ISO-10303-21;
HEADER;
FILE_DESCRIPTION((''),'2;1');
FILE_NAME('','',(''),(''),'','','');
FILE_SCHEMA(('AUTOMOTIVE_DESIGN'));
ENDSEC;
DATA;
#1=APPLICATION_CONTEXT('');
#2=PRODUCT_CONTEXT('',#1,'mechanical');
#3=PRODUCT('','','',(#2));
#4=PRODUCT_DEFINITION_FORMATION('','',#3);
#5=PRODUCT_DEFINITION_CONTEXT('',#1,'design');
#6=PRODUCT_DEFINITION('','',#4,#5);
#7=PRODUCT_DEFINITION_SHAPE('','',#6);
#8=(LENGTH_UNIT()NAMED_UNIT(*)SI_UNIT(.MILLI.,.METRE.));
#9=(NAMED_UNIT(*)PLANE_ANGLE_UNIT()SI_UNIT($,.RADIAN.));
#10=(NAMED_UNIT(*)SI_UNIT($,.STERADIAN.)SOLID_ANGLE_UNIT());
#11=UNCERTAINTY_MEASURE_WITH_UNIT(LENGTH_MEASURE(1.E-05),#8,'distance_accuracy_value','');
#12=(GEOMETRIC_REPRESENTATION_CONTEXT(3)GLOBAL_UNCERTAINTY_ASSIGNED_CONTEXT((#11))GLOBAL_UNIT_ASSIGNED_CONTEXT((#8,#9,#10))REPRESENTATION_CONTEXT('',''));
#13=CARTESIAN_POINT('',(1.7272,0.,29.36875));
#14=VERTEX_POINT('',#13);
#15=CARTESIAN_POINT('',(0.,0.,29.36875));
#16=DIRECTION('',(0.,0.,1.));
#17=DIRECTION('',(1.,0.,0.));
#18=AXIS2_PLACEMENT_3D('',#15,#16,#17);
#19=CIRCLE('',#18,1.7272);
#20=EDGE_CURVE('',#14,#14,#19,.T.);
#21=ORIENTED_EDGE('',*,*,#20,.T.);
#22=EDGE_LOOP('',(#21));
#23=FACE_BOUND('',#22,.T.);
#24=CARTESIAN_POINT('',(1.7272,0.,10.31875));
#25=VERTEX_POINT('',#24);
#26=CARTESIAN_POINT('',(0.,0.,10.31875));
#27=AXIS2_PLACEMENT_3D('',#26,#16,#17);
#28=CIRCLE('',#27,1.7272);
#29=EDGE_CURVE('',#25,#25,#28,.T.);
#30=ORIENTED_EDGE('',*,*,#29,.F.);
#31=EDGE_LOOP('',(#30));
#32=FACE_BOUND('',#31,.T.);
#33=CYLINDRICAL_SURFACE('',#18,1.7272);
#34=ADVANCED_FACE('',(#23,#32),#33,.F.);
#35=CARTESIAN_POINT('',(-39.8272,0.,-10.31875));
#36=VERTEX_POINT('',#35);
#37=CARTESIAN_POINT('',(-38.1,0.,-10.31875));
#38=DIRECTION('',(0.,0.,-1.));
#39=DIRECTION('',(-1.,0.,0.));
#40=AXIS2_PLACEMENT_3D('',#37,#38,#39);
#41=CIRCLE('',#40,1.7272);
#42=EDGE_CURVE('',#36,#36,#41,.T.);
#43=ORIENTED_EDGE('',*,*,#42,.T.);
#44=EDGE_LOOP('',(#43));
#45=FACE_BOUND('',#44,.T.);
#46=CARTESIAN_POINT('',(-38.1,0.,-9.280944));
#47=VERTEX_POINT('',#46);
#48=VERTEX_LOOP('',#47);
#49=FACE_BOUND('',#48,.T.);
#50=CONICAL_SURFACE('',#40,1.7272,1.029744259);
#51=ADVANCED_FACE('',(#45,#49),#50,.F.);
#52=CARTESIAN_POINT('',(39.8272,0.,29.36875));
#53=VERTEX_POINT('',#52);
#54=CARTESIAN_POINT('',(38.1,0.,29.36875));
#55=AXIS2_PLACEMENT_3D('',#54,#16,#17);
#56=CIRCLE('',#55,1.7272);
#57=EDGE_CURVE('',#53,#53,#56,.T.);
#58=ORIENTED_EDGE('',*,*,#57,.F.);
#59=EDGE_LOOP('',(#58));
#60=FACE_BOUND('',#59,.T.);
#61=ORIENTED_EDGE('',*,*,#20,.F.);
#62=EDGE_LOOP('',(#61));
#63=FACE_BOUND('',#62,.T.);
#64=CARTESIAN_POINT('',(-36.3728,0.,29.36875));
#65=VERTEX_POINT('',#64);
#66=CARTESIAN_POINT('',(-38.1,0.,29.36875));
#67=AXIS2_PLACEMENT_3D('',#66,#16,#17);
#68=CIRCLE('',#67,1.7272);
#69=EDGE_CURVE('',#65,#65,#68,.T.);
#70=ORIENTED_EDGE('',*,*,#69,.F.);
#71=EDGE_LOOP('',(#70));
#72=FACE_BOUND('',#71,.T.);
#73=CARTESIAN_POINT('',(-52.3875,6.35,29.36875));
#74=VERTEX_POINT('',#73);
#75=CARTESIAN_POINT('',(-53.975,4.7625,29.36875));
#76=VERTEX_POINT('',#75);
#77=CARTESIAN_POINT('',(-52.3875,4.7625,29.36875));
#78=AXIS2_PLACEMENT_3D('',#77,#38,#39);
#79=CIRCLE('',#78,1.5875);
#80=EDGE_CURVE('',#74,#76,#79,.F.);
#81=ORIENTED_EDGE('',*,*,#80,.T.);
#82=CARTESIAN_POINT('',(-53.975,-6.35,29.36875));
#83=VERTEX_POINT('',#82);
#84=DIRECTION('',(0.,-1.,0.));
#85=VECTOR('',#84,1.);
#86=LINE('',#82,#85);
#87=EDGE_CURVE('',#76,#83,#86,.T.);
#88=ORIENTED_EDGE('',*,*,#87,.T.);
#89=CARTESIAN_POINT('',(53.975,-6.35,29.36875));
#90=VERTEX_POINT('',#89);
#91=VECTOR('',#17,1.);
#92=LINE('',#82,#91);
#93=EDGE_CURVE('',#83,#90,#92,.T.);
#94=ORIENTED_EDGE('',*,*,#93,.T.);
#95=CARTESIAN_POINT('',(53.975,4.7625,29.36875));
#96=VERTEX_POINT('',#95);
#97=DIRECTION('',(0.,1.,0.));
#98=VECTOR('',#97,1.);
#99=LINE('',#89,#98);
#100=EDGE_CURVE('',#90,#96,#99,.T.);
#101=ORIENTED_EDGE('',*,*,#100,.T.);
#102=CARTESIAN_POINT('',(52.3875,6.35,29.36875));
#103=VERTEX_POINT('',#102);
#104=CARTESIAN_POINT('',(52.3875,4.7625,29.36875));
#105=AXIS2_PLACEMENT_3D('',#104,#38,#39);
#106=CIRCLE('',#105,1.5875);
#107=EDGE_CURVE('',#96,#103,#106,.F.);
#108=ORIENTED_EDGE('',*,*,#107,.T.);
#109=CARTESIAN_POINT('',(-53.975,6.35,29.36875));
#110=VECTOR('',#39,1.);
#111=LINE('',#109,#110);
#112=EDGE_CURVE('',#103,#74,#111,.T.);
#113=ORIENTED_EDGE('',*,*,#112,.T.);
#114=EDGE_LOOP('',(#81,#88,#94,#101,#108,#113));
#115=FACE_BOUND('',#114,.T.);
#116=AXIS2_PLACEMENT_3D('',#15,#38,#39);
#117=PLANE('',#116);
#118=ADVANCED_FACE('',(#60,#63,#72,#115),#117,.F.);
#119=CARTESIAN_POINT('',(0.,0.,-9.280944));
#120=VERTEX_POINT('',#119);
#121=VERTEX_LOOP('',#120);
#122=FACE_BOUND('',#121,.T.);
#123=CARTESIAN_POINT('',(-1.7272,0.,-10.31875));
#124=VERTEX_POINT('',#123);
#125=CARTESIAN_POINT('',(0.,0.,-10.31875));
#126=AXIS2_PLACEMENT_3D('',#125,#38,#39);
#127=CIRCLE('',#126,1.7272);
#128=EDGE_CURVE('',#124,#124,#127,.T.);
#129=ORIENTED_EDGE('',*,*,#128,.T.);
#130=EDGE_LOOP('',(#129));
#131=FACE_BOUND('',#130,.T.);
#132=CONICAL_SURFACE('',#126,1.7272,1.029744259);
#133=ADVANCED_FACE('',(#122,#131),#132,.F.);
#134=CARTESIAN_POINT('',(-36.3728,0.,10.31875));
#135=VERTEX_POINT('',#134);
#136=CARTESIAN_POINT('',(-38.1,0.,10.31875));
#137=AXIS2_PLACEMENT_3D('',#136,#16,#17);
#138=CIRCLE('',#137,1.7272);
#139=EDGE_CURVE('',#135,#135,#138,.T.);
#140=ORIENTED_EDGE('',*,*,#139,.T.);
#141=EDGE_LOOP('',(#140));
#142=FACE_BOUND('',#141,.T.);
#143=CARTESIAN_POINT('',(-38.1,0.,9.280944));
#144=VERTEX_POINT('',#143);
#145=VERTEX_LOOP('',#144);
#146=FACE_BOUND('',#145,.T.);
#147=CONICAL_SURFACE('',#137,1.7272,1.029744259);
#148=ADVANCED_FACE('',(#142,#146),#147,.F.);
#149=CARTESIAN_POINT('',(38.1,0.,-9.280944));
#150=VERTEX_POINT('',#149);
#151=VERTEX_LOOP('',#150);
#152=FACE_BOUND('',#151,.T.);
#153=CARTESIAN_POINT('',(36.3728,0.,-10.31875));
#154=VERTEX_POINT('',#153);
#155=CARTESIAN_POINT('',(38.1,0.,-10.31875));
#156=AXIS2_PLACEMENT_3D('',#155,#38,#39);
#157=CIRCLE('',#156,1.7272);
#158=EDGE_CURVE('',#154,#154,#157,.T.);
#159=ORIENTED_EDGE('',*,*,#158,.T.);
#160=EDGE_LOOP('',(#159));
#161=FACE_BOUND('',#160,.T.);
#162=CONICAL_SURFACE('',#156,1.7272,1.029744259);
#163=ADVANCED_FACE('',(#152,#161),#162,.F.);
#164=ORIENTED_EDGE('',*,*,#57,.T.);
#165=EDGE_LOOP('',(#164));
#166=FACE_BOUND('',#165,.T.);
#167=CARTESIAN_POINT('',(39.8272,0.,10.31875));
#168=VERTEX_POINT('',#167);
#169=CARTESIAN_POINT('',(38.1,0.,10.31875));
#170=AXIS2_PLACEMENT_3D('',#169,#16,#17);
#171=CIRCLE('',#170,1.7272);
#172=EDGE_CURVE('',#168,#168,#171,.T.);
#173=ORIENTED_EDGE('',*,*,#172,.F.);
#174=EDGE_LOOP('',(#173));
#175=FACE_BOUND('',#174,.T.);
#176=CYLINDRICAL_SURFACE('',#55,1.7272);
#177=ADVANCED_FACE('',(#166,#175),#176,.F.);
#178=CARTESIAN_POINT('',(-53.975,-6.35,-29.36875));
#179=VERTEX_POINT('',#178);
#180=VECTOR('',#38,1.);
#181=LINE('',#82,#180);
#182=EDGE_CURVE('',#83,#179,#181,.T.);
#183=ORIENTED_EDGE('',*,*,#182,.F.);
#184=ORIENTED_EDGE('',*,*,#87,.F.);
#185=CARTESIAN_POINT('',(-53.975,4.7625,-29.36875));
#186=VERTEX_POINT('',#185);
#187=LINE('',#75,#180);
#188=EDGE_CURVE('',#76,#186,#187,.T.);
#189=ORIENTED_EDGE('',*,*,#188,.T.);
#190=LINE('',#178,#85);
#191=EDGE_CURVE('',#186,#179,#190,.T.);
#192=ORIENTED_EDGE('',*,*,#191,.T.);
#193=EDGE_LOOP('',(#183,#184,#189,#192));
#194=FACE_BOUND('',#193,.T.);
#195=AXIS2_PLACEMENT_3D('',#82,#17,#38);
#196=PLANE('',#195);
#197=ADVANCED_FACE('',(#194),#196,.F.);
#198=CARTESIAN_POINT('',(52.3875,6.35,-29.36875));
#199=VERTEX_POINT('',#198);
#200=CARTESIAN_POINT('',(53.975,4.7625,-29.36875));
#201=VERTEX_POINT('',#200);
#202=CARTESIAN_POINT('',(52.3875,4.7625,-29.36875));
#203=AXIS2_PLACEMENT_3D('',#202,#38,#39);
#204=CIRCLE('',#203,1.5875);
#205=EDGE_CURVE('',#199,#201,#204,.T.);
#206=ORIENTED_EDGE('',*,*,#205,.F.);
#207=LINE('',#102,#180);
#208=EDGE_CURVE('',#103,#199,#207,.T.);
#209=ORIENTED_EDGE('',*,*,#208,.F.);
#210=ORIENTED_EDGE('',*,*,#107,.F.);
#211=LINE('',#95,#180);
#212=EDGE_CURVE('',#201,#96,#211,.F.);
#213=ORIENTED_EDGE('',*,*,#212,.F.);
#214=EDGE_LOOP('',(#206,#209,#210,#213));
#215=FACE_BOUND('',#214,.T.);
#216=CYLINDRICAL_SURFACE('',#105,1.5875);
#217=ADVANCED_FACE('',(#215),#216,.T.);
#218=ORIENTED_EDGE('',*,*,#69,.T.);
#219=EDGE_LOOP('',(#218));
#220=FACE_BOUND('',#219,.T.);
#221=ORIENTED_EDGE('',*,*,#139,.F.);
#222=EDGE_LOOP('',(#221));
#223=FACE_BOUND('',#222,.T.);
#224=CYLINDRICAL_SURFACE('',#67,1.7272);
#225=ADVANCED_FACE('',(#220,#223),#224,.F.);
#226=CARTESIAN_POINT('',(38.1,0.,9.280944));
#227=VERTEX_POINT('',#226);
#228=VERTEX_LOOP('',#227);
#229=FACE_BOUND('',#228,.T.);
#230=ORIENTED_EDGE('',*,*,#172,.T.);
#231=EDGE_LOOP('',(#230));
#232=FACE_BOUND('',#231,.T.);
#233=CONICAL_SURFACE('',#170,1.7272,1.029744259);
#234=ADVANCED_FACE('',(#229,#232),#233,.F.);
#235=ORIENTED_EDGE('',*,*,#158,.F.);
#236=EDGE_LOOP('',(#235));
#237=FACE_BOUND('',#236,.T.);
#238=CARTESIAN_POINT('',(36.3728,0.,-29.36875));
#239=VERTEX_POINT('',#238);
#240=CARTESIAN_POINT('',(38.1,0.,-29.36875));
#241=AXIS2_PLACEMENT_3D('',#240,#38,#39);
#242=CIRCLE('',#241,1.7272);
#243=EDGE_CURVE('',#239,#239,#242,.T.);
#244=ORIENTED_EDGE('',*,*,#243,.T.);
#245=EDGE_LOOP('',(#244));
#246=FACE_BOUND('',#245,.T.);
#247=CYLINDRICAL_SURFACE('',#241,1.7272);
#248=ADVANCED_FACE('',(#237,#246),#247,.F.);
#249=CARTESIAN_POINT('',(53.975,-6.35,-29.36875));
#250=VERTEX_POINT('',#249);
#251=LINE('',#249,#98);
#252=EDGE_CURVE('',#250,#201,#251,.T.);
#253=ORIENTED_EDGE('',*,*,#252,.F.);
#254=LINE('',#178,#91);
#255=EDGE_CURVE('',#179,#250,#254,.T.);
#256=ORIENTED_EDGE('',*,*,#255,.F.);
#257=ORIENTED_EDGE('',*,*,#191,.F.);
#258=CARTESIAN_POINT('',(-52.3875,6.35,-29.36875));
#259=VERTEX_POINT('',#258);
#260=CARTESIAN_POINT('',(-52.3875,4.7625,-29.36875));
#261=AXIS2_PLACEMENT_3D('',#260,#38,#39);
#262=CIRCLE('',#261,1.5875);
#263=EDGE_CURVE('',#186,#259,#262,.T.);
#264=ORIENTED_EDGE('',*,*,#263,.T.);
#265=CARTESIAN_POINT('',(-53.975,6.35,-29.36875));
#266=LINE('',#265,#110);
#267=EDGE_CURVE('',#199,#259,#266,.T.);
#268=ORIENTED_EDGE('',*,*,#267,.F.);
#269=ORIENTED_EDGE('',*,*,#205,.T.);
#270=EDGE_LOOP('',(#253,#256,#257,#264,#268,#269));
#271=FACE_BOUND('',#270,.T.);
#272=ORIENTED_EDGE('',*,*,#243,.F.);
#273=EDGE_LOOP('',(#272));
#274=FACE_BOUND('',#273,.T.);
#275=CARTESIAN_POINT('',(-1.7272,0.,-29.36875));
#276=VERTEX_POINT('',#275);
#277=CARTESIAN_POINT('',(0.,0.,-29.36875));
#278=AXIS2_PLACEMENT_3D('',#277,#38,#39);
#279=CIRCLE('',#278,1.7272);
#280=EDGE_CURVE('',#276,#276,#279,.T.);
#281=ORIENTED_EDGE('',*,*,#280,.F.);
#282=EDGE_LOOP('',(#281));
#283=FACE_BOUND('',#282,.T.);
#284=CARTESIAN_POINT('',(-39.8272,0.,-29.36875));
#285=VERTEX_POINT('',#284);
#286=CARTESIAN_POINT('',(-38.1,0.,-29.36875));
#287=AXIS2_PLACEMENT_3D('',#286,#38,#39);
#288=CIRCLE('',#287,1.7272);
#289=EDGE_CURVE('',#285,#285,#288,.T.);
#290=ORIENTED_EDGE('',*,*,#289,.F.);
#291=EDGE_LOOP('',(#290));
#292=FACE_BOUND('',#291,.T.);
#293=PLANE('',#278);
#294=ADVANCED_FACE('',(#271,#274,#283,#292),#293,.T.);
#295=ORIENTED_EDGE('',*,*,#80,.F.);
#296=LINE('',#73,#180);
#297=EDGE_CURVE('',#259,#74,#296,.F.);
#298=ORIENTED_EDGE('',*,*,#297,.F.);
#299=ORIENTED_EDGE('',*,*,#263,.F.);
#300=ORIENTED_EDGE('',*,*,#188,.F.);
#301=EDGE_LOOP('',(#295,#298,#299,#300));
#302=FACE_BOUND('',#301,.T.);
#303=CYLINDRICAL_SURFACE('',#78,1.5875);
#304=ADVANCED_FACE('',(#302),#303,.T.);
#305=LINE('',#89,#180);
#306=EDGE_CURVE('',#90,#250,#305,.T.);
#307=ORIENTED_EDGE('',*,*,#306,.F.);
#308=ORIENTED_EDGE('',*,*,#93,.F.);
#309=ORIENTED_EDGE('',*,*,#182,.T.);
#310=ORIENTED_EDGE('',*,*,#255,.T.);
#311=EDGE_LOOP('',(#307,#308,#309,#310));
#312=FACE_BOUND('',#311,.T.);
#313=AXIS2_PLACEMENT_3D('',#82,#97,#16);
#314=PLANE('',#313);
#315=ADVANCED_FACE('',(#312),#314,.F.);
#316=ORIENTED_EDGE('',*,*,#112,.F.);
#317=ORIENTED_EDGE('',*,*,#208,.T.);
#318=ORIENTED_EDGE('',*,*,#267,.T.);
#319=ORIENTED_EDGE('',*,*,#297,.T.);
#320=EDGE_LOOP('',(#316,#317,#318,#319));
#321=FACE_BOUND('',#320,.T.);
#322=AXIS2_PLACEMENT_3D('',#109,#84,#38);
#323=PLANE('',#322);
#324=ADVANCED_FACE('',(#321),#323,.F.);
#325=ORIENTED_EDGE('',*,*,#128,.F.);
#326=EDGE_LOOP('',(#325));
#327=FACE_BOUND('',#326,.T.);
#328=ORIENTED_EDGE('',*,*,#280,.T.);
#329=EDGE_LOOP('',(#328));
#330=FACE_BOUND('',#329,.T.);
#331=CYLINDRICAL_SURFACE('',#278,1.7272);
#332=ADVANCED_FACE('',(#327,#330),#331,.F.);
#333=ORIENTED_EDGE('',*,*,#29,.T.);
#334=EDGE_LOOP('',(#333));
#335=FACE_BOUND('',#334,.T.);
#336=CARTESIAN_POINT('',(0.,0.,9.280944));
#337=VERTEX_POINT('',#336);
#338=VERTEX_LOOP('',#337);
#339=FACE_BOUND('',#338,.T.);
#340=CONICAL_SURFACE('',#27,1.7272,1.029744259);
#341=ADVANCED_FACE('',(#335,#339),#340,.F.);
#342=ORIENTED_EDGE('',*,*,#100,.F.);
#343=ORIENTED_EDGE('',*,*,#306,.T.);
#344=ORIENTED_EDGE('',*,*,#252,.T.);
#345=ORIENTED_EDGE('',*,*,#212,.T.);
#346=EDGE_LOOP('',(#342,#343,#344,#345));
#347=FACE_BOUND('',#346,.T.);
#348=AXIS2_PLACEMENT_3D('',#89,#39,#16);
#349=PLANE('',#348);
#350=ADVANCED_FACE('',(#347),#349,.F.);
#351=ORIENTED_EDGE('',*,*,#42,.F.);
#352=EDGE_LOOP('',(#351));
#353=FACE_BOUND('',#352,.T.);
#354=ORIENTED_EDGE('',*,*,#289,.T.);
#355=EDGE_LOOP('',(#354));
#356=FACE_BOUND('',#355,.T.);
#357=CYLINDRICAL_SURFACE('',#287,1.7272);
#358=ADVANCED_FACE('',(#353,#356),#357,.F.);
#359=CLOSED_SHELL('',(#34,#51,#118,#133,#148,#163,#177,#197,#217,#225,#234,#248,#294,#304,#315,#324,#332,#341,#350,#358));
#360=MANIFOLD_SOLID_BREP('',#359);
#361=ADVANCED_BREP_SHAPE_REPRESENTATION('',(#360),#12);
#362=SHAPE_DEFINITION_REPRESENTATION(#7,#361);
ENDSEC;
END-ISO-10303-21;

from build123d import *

# Parameters (mm, degrees)
SKETCH1_W                          = 107.95
SKETCH1_H                          = 12.7
BOSS_EXTRUDE1_DEPTH                = 29.36875
TAP_DRILL_FOR_8_32_TAP1_AT_2_COUNT = 2
TAP_DRILL_FOR_8_32_TAP1_AT_2_PITCH = 76.2
TAP_DRILL_FOR_8_32_TAP1_AT_3_COUNT = 2
TAP_DRILL_FOR_8_32_TAP1_AT_3_PITCH = 38.1
FILLET1_R                          = 1.5875


with BuildPart() as part:
    # Sketch1 → Boss-Extrude1 (new, symmetric)
    with BuildSketch(Plane.XY):
        Rectangle(SKETCH1_W, SKETCH1_H)
    extrude(amount=BOSS_EXTRUDE1_DEPTH, both=True)

    # Sketch4 → Tap Drill for #8-32 Tap1 (revolve, cut)
    with BuildSketch(Plane(origin=(-38.1, 0, 29.36875), x_dir=(0, -1, 0), z_dir=(1, 0, 0))):
        Polygon((0, 0), (0, 20.087806461), (1.7272, 19.05), (1.7272, 0), align=None)
    tap_drill_for_8_32_tap1 = revolve(axis=Axis((-38.1, 0, 35.71875), (0, 0, -1)), mode=Mode.SUBTRACT)

    # Tap Drill for #8-32 Tap1 at 2: Tap Drill for #8-32 Tap1 ×2
    with Locations(*[(i * TAP_DRILL_FOR_8_32_TAP1_AT_2_PITCH, 0, 0) for i in range(1, TAP_DRILL_FOR_8_32_TAP1_AT_2_COUNT)]):
        add(tap_drill_for_8_32_tap1, mode=Mode.SUBTRACT)

    # Tap Drill for #8-32 Tap1 at 3: Tap Drill for #8-32 Tap1 ×2
    with Locations(*[(i * TAP_DRILL_FOR_8_32_TAP1_AT_3_PITCH, 0, 0) for i in range(1, TAP_DRILL_FOR_8_32_TAP1_AT_3_COUNT)]):
        add(tap_drill_for_8_32_tap1, mode=Mode.SUBTRACT)

    # Mirror1: Tap Drill for #8-32 Tap1 across plane
    add(tap_drill_for_8_32_tap1.mirror(Plane.XY), mode=Mode.SUBTRACT)

    # Mirror1 copy 1 sketch → Mirror1 copy 1 (revolve, cut)
    with BuildSketch(Plane(origin=(38.1, 0, -29.36875), x_dir=(0, -1, 0), z_dir=(1, 0, 0))):
        Polygon((0, 0), (0, -20.087806461), (1.7272, -19.05), (1.7272, 0), align=None)
    revolve(axis=Axis((38.1, 0, -35.71875), (0, 0, -1)), mode=Mode.SUBTRACT)

    # Mirror1 copy 2 sketch → Mirror1 copy 2 (revolve, cut)
    with BuildSketch(Plane(origin=(0, 0, -29.36875), x_dir=(0, -1, 0), z_dir=(1, 0, 0))):
        Polygon((0, 0), (0, -20.087806461), (1.7272, -19.05), (1.7272, 0), align=None)
    revolve(axis=Axis((0, 0, -35.71875), (0, 0, -1)), mode=Mode.SUBTRACT)

    # Fillet1
    fillet1_edges = [part.edges().sort_by_distance(p)[0] for p in [
        (-53.975, 6.35, 0),
        (53.975, 6.35, 0),
    ]]
    fillet(fillet1_edges, radius=FILLET1_R)


solid = part.part
